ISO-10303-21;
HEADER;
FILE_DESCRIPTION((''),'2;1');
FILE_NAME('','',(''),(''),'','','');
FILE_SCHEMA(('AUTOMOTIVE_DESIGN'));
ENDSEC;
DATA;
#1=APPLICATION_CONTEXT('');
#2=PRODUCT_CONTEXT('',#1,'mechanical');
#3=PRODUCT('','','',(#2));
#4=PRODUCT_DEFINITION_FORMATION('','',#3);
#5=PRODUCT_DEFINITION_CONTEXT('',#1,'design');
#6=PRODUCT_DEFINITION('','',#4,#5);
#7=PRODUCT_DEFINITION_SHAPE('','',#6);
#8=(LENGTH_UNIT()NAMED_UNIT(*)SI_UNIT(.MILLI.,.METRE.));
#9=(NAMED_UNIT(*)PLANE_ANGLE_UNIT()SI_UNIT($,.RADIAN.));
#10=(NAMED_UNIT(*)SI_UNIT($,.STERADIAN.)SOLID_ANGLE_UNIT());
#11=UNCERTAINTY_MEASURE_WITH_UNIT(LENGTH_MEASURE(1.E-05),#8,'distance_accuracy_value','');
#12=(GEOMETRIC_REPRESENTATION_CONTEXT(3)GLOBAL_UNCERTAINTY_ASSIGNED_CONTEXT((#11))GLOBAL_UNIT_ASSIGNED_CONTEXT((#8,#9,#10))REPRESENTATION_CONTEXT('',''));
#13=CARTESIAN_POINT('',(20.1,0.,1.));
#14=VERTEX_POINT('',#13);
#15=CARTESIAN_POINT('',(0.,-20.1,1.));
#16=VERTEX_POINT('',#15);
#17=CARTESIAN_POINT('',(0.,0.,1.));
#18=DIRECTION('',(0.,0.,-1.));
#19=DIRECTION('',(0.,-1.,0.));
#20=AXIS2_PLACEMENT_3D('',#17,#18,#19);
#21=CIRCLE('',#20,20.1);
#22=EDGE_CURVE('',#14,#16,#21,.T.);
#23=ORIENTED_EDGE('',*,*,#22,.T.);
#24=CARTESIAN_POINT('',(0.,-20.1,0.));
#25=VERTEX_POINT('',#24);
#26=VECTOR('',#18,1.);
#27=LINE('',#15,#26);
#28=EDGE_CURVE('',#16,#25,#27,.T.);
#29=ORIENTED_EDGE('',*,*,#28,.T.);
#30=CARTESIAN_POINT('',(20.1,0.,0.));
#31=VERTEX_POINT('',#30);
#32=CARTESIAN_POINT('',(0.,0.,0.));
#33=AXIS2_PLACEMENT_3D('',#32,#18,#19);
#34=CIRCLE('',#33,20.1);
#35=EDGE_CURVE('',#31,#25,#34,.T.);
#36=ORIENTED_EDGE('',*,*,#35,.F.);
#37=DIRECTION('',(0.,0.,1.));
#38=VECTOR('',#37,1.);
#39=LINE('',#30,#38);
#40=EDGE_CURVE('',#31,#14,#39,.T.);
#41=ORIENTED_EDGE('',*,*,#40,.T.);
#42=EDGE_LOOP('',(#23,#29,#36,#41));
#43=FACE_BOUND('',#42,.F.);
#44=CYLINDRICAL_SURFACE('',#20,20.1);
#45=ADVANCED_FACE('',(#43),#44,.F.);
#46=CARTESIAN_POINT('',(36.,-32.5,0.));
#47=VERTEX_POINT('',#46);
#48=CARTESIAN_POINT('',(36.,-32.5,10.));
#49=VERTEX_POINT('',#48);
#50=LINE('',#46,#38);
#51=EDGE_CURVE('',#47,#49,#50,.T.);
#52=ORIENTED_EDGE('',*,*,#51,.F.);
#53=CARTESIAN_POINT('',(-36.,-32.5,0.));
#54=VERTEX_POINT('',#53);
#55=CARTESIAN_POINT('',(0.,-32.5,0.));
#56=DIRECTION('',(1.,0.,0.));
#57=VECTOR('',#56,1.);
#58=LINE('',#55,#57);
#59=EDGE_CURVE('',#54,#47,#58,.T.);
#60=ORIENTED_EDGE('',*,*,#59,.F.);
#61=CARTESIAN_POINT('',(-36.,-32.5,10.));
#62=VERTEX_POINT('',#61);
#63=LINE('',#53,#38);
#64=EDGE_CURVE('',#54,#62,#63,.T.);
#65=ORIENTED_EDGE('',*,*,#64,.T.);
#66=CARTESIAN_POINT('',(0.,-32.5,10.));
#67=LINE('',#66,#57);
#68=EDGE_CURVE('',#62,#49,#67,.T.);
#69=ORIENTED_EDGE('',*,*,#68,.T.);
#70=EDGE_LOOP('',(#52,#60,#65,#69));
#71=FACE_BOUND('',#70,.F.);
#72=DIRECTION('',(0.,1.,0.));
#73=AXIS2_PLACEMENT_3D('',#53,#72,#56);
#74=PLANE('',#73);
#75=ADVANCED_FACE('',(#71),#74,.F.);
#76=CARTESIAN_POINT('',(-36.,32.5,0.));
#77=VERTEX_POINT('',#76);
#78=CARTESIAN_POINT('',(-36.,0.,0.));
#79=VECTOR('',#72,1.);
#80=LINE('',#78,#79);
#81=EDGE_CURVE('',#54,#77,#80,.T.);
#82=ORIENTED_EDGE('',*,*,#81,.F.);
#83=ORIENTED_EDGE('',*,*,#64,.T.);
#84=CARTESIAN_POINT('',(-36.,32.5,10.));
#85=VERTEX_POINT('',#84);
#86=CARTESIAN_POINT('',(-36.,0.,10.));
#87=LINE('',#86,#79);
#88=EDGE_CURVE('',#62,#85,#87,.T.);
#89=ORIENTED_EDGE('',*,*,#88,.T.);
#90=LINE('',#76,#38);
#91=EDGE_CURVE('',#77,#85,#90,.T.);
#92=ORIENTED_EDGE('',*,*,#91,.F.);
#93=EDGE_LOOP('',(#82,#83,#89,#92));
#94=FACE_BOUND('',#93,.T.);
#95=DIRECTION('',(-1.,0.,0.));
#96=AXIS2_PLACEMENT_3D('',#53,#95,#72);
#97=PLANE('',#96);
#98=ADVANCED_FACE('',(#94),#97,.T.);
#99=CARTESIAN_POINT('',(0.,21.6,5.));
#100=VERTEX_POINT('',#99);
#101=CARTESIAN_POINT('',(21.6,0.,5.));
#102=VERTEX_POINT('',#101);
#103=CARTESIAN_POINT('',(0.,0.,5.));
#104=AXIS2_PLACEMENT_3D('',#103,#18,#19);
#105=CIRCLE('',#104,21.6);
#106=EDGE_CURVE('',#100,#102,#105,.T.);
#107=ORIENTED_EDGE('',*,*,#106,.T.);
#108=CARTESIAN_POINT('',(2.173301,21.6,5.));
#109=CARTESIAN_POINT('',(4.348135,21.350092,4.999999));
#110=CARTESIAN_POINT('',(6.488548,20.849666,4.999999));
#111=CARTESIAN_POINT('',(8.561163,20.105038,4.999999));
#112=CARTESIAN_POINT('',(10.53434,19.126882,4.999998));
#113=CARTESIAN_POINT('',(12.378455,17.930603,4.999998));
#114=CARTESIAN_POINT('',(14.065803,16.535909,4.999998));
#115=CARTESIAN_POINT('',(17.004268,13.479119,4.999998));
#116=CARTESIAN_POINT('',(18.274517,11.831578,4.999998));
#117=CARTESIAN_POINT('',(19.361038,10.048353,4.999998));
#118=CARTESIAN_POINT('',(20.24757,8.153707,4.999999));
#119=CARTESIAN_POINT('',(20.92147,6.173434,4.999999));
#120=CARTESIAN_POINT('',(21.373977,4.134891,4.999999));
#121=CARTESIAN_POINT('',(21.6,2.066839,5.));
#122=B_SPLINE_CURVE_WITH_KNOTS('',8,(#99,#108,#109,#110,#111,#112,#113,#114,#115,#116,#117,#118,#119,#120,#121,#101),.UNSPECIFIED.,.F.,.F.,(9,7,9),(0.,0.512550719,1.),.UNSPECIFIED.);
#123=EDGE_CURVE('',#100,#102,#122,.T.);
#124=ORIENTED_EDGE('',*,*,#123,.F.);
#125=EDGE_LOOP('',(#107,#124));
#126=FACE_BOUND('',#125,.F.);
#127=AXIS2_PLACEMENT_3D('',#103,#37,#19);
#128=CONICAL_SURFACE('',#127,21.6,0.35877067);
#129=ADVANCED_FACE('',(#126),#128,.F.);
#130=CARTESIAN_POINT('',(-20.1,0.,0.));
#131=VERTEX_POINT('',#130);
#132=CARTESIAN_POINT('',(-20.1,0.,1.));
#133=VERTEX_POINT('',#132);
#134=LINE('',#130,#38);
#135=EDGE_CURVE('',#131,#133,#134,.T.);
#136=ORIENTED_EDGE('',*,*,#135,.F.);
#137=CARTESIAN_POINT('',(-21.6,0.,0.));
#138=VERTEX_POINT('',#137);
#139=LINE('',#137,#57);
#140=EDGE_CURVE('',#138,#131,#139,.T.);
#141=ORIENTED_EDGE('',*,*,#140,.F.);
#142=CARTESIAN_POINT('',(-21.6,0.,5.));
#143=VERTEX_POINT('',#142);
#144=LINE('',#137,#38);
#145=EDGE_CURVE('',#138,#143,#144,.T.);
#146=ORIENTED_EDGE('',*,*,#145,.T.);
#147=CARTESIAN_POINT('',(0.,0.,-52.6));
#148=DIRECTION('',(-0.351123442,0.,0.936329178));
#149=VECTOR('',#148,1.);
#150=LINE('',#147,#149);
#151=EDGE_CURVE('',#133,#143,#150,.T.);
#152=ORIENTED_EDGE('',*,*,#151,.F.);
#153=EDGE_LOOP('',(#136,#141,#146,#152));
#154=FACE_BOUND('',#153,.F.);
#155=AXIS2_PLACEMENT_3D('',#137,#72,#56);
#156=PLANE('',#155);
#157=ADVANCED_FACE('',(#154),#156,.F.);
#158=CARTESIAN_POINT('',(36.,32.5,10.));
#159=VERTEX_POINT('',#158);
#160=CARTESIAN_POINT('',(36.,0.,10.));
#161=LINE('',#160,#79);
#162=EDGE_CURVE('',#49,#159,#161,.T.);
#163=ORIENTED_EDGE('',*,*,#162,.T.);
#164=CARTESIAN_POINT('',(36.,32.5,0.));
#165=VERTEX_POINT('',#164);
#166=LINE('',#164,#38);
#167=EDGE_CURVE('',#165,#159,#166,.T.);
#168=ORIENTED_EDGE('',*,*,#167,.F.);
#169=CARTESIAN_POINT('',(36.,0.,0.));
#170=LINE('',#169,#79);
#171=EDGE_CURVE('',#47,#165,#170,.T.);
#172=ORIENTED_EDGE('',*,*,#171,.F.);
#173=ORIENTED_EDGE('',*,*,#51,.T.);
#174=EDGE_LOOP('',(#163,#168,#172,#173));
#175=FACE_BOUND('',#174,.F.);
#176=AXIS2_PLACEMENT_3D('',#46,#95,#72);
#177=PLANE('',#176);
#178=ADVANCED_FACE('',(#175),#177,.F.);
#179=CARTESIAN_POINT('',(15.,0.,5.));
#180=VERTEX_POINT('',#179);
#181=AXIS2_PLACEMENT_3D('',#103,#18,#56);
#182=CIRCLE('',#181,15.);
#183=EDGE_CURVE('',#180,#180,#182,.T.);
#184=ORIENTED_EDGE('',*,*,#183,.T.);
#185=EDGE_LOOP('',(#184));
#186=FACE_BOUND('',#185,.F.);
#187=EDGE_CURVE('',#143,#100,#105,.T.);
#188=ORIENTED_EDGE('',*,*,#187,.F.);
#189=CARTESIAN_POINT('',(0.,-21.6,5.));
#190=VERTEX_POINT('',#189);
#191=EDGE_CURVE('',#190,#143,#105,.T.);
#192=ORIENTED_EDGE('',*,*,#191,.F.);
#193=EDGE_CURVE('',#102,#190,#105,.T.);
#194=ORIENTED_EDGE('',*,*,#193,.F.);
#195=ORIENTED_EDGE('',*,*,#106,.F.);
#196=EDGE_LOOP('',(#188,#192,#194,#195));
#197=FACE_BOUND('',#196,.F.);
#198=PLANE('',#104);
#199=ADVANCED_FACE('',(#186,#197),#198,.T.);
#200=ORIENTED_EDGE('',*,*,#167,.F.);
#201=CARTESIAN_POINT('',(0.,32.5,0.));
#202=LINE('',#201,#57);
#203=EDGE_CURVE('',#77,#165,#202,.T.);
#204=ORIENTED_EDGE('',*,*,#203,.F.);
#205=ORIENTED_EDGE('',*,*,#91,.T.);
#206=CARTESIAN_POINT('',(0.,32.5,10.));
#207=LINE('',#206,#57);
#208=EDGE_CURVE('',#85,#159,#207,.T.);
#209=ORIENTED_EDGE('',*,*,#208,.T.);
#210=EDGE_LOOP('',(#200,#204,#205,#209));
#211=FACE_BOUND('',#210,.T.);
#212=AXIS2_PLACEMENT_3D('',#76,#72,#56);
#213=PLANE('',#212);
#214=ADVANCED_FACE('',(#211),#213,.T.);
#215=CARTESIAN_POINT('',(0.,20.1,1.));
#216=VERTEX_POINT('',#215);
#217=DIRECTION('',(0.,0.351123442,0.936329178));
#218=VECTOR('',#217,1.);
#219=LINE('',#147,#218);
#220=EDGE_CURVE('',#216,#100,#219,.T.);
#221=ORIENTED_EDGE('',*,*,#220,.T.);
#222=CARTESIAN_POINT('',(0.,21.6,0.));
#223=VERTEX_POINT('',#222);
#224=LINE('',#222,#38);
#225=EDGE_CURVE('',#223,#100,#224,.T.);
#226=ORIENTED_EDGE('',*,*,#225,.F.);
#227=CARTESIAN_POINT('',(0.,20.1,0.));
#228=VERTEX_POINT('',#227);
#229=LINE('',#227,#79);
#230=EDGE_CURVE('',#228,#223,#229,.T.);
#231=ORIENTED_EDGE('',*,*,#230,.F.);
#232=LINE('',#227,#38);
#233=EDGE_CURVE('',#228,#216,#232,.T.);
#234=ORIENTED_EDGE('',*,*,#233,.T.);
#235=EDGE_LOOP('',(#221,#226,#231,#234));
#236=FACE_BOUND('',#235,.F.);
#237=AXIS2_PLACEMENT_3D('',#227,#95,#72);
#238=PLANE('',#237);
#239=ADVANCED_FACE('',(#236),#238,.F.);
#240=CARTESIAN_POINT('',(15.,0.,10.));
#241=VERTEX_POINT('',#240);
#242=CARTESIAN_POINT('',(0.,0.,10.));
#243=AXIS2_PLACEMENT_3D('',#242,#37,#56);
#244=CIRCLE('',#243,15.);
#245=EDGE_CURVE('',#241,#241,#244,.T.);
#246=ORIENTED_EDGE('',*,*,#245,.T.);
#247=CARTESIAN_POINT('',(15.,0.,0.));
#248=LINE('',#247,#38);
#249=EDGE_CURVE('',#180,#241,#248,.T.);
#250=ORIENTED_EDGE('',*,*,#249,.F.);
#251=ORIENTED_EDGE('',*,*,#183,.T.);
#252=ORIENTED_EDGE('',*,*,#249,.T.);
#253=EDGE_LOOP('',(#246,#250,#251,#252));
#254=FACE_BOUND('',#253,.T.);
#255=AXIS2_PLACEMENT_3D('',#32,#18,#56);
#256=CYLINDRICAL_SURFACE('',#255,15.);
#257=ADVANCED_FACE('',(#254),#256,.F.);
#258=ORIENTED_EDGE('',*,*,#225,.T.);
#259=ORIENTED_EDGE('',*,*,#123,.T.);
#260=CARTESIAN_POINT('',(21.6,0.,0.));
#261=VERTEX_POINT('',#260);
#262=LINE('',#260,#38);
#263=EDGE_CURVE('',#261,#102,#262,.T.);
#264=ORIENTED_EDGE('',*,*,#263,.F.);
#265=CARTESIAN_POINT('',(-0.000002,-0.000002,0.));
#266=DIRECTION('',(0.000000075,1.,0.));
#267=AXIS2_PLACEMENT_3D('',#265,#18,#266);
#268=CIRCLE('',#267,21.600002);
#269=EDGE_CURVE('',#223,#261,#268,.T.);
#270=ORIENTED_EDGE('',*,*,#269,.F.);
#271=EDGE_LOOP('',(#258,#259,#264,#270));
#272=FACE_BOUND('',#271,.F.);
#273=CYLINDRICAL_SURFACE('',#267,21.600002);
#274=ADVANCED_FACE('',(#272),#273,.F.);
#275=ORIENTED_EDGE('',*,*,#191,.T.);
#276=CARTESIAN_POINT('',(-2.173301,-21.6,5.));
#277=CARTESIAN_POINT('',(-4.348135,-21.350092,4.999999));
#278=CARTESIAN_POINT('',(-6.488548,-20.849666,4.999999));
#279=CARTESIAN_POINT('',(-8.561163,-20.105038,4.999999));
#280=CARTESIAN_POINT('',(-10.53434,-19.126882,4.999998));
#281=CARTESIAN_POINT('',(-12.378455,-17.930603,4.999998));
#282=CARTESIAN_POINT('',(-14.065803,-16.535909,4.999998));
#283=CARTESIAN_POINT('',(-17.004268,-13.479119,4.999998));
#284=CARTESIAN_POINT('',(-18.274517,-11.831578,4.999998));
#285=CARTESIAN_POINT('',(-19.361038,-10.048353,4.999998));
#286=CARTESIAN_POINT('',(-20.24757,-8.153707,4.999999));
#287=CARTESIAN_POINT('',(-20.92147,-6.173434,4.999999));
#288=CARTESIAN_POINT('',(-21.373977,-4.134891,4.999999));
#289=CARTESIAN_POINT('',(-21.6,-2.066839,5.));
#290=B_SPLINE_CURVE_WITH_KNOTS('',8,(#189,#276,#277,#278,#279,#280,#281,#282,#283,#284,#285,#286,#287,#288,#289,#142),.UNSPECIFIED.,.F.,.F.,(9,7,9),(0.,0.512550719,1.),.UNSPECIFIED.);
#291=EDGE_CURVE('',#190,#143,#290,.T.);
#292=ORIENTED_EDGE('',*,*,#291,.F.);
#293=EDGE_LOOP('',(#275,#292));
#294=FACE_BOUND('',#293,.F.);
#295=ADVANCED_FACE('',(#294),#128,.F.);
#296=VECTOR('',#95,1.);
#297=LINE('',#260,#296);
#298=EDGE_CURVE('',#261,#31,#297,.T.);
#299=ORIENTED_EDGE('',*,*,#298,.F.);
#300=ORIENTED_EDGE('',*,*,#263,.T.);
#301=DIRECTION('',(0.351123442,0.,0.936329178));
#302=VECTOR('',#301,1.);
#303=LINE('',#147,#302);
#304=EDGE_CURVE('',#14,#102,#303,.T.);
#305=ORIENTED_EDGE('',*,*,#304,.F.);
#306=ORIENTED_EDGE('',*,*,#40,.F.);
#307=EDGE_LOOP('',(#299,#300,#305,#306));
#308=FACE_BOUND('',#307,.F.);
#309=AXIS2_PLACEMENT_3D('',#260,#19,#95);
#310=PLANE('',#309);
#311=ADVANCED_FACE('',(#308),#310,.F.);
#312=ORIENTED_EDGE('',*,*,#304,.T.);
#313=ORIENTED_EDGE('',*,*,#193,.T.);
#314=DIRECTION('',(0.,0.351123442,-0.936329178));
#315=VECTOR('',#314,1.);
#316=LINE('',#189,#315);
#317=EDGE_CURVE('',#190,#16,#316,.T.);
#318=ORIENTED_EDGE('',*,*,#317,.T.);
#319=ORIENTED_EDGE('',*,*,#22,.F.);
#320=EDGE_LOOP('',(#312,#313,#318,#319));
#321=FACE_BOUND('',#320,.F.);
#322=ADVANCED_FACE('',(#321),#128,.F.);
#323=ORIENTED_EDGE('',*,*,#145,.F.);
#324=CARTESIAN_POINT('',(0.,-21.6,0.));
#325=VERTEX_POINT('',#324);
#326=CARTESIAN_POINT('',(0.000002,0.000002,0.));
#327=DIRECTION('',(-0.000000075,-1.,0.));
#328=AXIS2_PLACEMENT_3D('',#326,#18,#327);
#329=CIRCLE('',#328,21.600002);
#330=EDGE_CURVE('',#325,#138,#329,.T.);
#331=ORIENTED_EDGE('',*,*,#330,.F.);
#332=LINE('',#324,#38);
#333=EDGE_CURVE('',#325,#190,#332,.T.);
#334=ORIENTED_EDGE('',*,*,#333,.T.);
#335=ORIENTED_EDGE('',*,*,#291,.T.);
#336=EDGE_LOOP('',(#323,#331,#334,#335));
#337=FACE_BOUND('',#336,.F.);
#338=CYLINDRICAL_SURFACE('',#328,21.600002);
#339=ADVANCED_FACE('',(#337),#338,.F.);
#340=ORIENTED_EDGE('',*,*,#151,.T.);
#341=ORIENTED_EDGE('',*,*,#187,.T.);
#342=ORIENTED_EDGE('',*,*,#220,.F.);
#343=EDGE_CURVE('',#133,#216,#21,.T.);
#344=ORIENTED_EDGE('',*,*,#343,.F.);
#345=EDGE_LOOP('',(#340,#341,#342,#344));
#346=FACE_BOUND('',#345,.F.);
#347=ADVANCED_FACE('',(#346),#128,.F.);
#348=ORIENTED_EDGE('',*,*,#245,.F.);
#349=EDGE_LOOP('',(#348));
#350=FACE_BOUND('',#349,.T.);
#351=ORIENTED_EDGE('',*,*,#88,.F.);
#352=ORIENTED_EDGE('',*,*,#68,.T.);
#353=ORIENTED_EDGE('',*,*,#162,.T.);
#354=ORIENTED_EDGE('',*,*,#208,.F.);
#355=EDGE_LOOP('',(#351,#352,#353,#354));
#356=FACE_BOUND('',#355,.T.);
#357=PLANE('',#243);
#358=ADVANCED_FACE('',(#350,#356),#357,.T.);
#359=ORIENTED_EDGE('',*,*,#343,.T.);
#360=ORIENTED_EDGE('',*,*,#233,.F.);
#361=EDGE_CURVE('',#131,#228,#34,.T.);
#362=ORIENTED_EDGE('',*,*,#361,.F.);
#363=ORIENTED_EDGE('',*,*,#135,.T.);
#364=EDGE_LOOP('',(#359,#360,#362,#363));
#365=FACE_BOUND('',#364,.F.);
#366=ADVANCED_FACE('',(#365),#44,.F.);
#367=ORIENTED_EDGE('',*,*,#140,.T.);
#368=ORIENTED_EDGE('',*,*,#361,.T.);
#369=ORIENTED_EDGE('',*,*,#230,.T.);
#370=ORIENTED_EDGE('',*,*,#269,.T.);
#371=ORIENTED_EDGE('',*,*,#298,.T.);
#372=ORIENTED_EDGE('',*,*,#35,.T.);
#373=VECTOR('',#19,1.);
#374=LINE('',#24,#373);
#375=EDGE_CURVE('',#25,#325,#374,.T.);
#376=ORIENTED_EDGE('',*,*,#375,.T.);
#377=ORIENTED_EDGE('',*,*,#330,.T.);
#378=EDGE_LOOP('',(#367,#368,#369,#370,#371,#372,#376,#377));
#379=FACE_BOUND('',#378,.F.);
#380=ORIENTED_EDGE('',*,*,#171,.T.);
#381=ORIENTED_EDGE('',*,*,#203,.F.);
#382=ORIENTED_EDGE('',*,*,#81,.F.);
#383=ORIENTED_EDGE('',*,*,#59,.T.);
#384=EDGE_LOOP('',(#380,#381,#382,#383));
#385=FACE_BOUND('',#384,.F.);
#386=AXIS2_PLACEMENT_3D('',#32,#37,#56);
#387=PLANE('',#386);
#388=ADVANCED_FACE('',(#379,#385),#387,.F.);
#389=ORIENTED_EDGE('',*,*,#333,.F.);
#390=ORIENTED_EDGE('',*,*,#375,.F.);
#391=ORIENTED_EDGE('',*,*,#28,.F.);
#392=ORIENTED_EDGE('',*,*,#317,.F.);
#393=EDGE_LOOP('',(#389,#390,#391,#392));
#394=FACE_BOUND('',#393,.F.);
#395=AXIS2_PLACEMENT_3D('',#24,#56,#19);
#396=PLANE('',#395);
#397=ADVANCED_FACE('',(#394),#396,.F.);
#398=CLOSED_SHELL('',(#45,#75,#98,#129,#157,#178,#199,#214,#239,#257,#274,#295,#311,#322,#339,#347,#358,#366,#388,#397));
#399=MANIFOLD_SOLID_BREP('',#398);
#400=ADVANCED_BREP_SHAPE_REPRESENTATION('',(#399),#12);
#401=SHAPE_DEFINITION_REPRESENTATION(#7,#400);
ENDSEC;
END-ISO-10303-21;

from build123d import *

# Parameters (mm, degrees)
F0_W     = 72
F0_H     = 65
F0_R     = 15
F1_DEPTH = 10
F5_DEPTH = 5


with BuildPart() as f1:
    # F0 (on Top) → F1 (new body)
    with BuildSketch(Plane.XY):
        Rectangle(F0_W, F0_H)
        Circle(F0_R, mode=Mode.SUBTRACT)
    extrude(amount=F1_DEPTH)

    # F2 (on Right) → F3 (revolve, cut)
    with BuildSketch(Plane.YZ):
        Polygon((-20.1, 0), (0, 0), (0, 5), (-21.6, 5), (-20.1, 1), align=None)
    revolve(axis=Axis((0, 0, 2.5), (0, 0, -1)), mode=Mode.SUBTRACT)

    # F4 (on face) → F5 (cut)
    with BuildSketch(Plane(origin=(0, 0, 0), x_dir=(1, 0, 0), z_dir=(0, 0, -1))):
        with BuildLine():
            ThreePointArc((0, 21.6), (-15.273506, 15.273506), (-21.6, 0))
            Line((-21.6, 0), (-20.1, 0))
            ThreePointArc((-20.1, 0), (-14.212846, 14.212846), (0, 20.1))
            Line((0, 20.1), (0, 21.6))
        make_face()
        with BuildLine():
            Line((0, -20.1), (0, -21.6))
            ThreePointArc((0, -21.6), (15.273506, -15.273506), (21.6, 0))
            Line((21.6, 0), (20.1, 0))
            ThreePointArc((20.1, 0), (14.212846, -14.212846), (0, -20.1))
        make_face()
    extrude(amount=-F5_DEPTH, mode=Mode.SUBTRACT)


solid = f1.part
